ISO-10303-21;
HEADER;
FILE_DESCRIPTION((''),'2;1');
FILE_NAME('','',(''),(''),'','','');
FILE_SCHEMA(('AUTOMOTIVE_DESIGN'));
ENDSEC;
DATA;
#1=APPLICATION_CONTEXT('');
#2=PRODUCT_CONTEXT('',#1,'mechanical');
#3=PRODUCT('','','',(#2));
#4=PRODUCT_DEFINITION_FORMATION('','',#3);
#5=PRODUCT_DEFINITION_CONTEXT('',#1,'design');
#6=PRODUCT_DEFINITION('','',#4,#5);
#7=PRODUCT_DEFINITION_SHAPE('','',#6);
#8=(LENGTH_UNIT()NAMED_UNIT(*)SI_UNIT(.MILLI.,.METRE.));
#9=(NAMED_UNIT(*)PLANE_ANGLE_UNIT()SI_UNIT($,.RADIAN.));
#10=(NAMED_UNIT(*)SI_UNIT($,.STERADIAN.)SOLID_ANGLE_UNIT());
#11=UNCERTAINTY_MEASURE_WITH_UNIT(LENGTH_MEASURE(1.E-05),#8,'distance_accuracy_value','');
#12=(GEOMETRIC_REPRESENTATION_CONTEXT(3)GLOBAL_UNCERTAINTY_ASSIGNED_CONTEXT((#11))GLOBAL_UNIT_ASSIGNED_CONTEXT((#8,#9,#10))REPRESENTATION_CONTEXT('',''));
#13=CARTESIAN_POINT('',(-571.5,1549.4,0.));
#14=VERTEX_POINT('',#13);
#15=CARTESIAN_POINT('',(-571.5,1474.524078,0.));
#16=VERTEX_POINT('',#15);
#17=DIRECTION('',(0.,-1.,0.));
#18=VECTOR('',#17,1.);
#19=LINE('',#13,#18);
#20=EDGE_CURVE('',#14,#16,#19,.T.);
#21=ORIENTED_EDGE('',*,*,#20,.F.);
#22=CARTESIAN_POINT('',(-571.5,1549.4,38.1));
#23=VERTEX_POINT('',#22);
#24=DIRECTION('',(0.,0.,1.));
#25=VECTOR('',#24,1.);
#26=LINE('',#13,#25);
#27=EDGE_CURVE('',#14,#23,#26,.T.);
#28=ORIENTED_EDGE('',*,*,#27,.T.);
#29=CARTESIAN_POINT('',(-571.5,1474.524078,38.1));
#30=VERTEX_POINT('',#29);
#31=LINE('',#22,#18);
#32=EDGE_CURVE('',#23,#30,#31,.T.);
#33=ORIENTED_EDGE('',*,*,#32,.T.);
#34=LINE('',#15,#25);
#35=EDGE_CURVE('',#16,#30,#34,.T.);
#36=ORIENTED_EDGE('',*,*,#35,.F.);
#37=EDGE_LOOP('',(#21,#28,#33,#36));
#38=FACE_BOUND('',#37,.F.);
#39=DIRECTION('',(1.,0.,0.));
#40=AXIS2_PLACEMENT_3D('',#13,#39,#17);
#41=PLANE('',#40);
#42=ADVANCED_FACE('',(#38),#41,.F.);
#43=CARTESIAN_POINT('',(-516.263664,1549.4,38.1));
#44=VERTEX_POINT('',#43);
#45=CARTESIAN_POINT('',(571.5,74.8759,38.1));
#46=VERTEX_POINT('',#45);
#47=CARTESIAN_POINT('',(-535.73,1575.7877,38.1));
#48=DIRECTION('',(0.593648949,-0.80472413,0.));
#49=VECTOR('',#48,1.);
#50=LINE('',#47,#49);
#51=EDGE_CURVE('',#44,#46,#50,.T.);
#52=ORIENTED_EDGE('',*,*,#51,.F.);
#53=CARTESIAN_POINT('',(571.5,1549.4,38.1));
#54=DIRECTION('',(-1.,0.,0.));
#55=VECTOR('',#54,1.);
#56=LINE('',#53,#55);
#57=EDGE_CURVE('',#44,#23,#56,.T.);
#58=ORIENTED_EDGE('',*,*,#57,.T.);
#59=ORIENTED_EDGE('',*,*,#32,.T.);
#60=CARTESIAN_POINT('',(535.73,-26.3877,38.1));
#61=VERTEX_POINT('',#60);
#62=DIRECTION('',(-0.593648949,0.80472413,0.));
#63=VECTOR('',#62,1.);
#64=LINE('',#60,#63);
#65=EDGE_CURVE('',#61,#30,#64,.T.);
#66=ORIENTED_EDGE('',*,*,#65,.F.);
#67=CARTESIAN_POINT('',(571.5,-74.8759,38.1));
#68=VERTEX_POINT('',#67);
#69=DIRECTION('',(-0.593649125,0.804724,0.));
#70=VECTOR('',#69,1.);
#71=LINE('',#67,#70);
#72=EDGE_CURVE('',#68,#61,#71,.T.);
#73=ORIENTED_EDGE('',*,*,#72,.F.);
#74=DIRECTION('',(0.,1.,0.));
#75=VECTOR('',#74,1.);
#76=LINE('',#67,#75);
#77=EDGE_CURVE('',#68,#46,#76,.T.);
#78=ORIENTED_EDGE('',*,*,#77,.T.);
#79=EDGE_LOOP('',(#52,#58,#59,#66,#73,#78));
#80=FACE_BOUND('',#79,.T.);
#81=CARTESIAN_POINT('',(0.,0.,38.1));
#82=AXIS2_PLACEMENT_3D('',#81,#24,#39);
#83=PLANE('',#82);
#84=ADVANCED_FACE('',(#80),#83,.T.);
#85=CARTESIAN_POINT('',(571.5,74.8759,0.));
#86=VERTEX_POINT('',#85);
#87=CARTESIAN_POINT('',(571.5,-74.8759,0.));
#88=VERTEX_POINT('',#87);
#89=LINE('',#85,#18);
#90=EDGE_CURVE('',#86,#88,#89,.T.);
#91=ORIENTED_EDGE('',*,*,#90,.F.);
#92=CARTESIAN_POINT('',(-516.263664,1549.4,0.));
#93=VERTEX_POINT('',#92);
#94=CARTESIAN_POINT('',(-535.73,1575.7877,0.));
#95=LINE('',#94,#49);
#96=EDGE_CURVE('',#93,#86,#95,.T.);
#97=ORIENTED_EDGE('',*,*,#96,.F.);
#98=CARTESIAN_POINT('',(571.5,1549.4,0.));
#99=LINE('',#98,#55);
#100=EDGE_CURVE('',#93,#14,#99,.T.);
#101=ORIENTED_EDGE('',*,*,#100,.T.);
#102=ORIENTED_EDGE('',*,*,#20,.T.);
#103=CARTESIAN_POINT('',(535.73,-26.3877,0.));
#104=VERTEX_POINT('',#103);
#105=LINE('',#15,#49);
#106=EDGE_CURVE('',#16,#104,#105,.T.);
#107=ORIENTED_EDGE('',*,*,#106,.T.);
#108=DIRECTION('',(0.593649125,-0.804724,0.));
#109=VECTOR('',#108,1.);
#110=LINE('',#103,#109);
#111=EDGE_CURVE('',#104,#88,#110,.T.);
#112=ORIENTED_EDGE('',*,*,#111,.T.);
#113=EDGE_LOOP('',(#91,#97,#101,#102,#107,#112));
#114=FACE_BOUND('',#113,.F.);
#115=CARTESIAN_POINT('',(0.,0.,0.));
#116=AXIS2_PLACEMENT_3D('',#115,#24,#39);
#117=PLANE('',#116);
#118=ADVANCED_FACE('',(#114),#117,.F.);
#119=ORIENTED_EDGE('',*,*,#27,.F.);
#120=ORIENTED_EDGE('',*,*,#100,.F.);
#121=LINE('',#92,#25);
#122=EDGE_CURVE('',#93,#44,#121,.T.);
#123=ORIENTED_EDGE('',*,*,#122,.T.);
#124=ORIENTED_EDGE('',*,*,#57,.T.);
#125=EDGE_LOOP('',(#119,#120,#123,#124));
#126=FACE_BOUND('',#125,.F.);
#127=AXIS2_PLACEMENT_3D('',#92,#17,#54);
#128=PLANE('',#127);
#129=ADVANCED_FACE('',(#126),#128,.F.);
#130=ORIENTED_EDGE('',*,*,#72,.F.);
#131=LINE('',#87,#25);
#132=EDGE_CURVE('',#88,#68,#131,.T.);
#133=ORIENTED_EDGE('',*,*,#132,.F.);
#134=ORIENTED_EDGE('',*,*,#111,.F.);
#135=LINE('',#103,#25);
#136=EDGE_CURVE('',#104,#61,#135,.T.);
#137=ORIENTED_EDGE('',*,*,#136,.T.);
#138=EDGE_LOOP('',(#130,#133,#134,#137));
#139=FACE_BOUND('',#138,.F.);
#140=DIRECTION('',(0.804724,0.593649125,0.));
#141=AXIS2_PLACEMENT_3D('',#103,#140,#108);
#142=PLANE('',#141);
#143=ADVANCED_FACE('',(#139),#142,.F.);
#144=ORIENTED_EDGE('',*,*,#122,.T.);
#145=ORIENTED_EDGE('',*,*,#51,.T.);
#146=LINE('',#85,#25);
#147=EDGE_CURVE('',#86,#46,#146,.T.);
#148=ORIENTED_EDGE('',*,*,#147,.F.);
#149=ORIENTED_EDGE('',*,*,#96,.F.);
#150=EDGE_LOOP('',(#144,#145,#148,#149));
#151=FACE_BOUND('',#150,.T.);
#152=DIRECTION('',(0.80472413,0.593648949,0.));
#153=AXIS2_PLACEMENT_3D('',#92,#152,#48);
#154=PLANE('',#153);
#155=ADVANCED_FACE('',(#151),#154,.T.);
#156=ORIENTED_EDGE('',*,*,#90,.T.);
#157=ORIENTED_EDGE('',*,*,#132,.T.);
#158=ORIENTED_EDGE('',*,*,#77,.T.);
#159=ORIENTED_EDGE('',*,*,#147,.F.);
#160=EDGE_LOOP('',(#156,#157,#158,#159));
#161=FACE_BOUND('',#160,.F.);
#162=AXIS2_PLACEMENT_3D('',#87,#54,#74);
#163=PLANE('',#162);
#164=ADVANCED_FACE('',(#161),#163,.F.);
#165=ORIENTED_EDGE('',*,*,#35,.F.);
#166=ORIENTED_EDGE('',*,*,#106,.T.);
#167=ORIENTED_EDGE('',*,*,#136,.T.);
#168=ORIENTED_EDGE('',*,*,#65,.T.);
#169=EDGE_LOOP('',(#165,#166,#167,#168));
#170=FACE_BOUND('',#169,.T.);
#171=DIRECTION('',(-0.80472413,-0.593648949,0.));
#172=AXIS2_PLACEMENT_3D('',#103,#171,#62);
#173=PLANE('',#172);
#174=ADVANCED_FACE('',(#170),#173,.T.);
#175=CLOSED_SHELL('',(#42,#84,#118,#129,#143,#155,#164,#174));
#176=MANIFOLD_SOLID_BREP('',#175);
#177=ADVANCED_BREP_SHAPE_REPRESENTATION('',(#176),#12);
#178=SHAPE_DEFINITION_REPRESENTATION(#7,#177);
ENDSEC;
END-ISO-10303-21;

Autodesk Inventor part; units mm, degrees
ref_plane "YZ Plane" through (0, 0, 0) normal (1, 0, 0) x (0, 1, 0)
ref_plane "XZ Plane" through (0, 0, 0) normal (0, 1, 0) x (-1, 0, 0)
ref_plane "XY Plane" through (0, 0, 0) normal (0, 0, 1) x (1, 0, 0)
sketch "Sketch1" plane through (0, 0, 0) normal (0, 0, 1) x (1, 0, 0)
  line L0 (-571.5, -1549.4) -> (571.5, -1549.4)
  line L1 (571.5, -1549.4) -> (571.5, 1549.4)
  line L2 (571.5, 1549.4) -> (-571.5, 1549.4)
  line L3 (-571.5, 1549.4) -> (-571.5, -1549.4)
  line L4 (-571.5, -1549.4) -> (571.5, 1549.4) construction
  line L5 (571.5, -1549.4) -> (-571.5, 1549.4) construction
  line L6 (-571.5, 0) -> (571.5, 0)
  line L7 (571.5, 0) -> (-571.5, -1549.4)
  line L8 (-535.73, -1575.7877) -> (-607.27, -1523.0123)
  line L9 (607.27, -26.3877) -> (535.73, 26.3877)
  line L10 (535.73, 26.3877) -> (-607.27, -1523.0123)
  line L11 (-535.73, -1575.7877) -> (607.27, -26.3877)
  line L12 (535.73, 26.3877) -> (571.5, 74.8759)
  line L13 (-571.5, 1549.4) -> (571.5, -1549.4) construction
  line L14 (571.5, 0) -> (-571.5, 1549.4)
  line L15 (-535.73, 1575.7877) -> (-607.27, 1523.0123)
  line L16 (607.27, 26.3877) -> (535.73, -26.3877)
  line L17 (535.73, -26.3877) -> (-607.27, 1523.0123)
  line L18 (-535.73, 1575.7877) -> (607.27, 26.3877)
  line L19 (535.73, -26.3877) -> (571.5, -74.8759)
  point P0 (0, 0)
  point P1 (571.5, 74.8759)
  point P2 (-516.2637, 1549.4)
  point P3 (-571.5, 1474.5241)
  point P4 (571.5, -74.8759)
  point P5 (571.5, -74.8759)
  point P6 (516.2637, 0)
  point P7 (-571.5, -1474.5241)
  point P8 (-516.2637, -1549.4)
  point P9 (543.8818, -37.438)
  point P10 (571.5, 0)
  point P11 (571.5, 0)
  point P12 (516.2637, 0)
  point P13 (571.5, 0)
  point P14 (-571.5, 1549.4)
  point P15 (543.8818, 37.438)
  point P16 (571.5, 74.8759)
  point P17 (571.5, -74.8759)
  point P18 (571.5, 0)
  point P19 (-571.5, -1549.4)
  point P20 (516.2637, 0)
  point P21 (571.5, 0)
  point P22 (-571.5, 1549.4)
  point P23 (571.5, 0)
  point P24 (-571.5, -1549.4)
  dimension "d0" = 1143
  dimension "d1" = 3098.8
  dimension "d3" = 88.9
  dimension "d4" = 88.9
extrude "Extrusion1" add sketch "Sketch1" along normal blind 38.1 contours L19 L16 L7 | L7 L1 L19 | L10 L9 L6 | L17 L3 L14 L12 L10 | L6 L16 L17 | L14 L12 L1 | L9 L12 L14 | L12 L14 L2 L18
properties part number "S_2x4x78.175"
